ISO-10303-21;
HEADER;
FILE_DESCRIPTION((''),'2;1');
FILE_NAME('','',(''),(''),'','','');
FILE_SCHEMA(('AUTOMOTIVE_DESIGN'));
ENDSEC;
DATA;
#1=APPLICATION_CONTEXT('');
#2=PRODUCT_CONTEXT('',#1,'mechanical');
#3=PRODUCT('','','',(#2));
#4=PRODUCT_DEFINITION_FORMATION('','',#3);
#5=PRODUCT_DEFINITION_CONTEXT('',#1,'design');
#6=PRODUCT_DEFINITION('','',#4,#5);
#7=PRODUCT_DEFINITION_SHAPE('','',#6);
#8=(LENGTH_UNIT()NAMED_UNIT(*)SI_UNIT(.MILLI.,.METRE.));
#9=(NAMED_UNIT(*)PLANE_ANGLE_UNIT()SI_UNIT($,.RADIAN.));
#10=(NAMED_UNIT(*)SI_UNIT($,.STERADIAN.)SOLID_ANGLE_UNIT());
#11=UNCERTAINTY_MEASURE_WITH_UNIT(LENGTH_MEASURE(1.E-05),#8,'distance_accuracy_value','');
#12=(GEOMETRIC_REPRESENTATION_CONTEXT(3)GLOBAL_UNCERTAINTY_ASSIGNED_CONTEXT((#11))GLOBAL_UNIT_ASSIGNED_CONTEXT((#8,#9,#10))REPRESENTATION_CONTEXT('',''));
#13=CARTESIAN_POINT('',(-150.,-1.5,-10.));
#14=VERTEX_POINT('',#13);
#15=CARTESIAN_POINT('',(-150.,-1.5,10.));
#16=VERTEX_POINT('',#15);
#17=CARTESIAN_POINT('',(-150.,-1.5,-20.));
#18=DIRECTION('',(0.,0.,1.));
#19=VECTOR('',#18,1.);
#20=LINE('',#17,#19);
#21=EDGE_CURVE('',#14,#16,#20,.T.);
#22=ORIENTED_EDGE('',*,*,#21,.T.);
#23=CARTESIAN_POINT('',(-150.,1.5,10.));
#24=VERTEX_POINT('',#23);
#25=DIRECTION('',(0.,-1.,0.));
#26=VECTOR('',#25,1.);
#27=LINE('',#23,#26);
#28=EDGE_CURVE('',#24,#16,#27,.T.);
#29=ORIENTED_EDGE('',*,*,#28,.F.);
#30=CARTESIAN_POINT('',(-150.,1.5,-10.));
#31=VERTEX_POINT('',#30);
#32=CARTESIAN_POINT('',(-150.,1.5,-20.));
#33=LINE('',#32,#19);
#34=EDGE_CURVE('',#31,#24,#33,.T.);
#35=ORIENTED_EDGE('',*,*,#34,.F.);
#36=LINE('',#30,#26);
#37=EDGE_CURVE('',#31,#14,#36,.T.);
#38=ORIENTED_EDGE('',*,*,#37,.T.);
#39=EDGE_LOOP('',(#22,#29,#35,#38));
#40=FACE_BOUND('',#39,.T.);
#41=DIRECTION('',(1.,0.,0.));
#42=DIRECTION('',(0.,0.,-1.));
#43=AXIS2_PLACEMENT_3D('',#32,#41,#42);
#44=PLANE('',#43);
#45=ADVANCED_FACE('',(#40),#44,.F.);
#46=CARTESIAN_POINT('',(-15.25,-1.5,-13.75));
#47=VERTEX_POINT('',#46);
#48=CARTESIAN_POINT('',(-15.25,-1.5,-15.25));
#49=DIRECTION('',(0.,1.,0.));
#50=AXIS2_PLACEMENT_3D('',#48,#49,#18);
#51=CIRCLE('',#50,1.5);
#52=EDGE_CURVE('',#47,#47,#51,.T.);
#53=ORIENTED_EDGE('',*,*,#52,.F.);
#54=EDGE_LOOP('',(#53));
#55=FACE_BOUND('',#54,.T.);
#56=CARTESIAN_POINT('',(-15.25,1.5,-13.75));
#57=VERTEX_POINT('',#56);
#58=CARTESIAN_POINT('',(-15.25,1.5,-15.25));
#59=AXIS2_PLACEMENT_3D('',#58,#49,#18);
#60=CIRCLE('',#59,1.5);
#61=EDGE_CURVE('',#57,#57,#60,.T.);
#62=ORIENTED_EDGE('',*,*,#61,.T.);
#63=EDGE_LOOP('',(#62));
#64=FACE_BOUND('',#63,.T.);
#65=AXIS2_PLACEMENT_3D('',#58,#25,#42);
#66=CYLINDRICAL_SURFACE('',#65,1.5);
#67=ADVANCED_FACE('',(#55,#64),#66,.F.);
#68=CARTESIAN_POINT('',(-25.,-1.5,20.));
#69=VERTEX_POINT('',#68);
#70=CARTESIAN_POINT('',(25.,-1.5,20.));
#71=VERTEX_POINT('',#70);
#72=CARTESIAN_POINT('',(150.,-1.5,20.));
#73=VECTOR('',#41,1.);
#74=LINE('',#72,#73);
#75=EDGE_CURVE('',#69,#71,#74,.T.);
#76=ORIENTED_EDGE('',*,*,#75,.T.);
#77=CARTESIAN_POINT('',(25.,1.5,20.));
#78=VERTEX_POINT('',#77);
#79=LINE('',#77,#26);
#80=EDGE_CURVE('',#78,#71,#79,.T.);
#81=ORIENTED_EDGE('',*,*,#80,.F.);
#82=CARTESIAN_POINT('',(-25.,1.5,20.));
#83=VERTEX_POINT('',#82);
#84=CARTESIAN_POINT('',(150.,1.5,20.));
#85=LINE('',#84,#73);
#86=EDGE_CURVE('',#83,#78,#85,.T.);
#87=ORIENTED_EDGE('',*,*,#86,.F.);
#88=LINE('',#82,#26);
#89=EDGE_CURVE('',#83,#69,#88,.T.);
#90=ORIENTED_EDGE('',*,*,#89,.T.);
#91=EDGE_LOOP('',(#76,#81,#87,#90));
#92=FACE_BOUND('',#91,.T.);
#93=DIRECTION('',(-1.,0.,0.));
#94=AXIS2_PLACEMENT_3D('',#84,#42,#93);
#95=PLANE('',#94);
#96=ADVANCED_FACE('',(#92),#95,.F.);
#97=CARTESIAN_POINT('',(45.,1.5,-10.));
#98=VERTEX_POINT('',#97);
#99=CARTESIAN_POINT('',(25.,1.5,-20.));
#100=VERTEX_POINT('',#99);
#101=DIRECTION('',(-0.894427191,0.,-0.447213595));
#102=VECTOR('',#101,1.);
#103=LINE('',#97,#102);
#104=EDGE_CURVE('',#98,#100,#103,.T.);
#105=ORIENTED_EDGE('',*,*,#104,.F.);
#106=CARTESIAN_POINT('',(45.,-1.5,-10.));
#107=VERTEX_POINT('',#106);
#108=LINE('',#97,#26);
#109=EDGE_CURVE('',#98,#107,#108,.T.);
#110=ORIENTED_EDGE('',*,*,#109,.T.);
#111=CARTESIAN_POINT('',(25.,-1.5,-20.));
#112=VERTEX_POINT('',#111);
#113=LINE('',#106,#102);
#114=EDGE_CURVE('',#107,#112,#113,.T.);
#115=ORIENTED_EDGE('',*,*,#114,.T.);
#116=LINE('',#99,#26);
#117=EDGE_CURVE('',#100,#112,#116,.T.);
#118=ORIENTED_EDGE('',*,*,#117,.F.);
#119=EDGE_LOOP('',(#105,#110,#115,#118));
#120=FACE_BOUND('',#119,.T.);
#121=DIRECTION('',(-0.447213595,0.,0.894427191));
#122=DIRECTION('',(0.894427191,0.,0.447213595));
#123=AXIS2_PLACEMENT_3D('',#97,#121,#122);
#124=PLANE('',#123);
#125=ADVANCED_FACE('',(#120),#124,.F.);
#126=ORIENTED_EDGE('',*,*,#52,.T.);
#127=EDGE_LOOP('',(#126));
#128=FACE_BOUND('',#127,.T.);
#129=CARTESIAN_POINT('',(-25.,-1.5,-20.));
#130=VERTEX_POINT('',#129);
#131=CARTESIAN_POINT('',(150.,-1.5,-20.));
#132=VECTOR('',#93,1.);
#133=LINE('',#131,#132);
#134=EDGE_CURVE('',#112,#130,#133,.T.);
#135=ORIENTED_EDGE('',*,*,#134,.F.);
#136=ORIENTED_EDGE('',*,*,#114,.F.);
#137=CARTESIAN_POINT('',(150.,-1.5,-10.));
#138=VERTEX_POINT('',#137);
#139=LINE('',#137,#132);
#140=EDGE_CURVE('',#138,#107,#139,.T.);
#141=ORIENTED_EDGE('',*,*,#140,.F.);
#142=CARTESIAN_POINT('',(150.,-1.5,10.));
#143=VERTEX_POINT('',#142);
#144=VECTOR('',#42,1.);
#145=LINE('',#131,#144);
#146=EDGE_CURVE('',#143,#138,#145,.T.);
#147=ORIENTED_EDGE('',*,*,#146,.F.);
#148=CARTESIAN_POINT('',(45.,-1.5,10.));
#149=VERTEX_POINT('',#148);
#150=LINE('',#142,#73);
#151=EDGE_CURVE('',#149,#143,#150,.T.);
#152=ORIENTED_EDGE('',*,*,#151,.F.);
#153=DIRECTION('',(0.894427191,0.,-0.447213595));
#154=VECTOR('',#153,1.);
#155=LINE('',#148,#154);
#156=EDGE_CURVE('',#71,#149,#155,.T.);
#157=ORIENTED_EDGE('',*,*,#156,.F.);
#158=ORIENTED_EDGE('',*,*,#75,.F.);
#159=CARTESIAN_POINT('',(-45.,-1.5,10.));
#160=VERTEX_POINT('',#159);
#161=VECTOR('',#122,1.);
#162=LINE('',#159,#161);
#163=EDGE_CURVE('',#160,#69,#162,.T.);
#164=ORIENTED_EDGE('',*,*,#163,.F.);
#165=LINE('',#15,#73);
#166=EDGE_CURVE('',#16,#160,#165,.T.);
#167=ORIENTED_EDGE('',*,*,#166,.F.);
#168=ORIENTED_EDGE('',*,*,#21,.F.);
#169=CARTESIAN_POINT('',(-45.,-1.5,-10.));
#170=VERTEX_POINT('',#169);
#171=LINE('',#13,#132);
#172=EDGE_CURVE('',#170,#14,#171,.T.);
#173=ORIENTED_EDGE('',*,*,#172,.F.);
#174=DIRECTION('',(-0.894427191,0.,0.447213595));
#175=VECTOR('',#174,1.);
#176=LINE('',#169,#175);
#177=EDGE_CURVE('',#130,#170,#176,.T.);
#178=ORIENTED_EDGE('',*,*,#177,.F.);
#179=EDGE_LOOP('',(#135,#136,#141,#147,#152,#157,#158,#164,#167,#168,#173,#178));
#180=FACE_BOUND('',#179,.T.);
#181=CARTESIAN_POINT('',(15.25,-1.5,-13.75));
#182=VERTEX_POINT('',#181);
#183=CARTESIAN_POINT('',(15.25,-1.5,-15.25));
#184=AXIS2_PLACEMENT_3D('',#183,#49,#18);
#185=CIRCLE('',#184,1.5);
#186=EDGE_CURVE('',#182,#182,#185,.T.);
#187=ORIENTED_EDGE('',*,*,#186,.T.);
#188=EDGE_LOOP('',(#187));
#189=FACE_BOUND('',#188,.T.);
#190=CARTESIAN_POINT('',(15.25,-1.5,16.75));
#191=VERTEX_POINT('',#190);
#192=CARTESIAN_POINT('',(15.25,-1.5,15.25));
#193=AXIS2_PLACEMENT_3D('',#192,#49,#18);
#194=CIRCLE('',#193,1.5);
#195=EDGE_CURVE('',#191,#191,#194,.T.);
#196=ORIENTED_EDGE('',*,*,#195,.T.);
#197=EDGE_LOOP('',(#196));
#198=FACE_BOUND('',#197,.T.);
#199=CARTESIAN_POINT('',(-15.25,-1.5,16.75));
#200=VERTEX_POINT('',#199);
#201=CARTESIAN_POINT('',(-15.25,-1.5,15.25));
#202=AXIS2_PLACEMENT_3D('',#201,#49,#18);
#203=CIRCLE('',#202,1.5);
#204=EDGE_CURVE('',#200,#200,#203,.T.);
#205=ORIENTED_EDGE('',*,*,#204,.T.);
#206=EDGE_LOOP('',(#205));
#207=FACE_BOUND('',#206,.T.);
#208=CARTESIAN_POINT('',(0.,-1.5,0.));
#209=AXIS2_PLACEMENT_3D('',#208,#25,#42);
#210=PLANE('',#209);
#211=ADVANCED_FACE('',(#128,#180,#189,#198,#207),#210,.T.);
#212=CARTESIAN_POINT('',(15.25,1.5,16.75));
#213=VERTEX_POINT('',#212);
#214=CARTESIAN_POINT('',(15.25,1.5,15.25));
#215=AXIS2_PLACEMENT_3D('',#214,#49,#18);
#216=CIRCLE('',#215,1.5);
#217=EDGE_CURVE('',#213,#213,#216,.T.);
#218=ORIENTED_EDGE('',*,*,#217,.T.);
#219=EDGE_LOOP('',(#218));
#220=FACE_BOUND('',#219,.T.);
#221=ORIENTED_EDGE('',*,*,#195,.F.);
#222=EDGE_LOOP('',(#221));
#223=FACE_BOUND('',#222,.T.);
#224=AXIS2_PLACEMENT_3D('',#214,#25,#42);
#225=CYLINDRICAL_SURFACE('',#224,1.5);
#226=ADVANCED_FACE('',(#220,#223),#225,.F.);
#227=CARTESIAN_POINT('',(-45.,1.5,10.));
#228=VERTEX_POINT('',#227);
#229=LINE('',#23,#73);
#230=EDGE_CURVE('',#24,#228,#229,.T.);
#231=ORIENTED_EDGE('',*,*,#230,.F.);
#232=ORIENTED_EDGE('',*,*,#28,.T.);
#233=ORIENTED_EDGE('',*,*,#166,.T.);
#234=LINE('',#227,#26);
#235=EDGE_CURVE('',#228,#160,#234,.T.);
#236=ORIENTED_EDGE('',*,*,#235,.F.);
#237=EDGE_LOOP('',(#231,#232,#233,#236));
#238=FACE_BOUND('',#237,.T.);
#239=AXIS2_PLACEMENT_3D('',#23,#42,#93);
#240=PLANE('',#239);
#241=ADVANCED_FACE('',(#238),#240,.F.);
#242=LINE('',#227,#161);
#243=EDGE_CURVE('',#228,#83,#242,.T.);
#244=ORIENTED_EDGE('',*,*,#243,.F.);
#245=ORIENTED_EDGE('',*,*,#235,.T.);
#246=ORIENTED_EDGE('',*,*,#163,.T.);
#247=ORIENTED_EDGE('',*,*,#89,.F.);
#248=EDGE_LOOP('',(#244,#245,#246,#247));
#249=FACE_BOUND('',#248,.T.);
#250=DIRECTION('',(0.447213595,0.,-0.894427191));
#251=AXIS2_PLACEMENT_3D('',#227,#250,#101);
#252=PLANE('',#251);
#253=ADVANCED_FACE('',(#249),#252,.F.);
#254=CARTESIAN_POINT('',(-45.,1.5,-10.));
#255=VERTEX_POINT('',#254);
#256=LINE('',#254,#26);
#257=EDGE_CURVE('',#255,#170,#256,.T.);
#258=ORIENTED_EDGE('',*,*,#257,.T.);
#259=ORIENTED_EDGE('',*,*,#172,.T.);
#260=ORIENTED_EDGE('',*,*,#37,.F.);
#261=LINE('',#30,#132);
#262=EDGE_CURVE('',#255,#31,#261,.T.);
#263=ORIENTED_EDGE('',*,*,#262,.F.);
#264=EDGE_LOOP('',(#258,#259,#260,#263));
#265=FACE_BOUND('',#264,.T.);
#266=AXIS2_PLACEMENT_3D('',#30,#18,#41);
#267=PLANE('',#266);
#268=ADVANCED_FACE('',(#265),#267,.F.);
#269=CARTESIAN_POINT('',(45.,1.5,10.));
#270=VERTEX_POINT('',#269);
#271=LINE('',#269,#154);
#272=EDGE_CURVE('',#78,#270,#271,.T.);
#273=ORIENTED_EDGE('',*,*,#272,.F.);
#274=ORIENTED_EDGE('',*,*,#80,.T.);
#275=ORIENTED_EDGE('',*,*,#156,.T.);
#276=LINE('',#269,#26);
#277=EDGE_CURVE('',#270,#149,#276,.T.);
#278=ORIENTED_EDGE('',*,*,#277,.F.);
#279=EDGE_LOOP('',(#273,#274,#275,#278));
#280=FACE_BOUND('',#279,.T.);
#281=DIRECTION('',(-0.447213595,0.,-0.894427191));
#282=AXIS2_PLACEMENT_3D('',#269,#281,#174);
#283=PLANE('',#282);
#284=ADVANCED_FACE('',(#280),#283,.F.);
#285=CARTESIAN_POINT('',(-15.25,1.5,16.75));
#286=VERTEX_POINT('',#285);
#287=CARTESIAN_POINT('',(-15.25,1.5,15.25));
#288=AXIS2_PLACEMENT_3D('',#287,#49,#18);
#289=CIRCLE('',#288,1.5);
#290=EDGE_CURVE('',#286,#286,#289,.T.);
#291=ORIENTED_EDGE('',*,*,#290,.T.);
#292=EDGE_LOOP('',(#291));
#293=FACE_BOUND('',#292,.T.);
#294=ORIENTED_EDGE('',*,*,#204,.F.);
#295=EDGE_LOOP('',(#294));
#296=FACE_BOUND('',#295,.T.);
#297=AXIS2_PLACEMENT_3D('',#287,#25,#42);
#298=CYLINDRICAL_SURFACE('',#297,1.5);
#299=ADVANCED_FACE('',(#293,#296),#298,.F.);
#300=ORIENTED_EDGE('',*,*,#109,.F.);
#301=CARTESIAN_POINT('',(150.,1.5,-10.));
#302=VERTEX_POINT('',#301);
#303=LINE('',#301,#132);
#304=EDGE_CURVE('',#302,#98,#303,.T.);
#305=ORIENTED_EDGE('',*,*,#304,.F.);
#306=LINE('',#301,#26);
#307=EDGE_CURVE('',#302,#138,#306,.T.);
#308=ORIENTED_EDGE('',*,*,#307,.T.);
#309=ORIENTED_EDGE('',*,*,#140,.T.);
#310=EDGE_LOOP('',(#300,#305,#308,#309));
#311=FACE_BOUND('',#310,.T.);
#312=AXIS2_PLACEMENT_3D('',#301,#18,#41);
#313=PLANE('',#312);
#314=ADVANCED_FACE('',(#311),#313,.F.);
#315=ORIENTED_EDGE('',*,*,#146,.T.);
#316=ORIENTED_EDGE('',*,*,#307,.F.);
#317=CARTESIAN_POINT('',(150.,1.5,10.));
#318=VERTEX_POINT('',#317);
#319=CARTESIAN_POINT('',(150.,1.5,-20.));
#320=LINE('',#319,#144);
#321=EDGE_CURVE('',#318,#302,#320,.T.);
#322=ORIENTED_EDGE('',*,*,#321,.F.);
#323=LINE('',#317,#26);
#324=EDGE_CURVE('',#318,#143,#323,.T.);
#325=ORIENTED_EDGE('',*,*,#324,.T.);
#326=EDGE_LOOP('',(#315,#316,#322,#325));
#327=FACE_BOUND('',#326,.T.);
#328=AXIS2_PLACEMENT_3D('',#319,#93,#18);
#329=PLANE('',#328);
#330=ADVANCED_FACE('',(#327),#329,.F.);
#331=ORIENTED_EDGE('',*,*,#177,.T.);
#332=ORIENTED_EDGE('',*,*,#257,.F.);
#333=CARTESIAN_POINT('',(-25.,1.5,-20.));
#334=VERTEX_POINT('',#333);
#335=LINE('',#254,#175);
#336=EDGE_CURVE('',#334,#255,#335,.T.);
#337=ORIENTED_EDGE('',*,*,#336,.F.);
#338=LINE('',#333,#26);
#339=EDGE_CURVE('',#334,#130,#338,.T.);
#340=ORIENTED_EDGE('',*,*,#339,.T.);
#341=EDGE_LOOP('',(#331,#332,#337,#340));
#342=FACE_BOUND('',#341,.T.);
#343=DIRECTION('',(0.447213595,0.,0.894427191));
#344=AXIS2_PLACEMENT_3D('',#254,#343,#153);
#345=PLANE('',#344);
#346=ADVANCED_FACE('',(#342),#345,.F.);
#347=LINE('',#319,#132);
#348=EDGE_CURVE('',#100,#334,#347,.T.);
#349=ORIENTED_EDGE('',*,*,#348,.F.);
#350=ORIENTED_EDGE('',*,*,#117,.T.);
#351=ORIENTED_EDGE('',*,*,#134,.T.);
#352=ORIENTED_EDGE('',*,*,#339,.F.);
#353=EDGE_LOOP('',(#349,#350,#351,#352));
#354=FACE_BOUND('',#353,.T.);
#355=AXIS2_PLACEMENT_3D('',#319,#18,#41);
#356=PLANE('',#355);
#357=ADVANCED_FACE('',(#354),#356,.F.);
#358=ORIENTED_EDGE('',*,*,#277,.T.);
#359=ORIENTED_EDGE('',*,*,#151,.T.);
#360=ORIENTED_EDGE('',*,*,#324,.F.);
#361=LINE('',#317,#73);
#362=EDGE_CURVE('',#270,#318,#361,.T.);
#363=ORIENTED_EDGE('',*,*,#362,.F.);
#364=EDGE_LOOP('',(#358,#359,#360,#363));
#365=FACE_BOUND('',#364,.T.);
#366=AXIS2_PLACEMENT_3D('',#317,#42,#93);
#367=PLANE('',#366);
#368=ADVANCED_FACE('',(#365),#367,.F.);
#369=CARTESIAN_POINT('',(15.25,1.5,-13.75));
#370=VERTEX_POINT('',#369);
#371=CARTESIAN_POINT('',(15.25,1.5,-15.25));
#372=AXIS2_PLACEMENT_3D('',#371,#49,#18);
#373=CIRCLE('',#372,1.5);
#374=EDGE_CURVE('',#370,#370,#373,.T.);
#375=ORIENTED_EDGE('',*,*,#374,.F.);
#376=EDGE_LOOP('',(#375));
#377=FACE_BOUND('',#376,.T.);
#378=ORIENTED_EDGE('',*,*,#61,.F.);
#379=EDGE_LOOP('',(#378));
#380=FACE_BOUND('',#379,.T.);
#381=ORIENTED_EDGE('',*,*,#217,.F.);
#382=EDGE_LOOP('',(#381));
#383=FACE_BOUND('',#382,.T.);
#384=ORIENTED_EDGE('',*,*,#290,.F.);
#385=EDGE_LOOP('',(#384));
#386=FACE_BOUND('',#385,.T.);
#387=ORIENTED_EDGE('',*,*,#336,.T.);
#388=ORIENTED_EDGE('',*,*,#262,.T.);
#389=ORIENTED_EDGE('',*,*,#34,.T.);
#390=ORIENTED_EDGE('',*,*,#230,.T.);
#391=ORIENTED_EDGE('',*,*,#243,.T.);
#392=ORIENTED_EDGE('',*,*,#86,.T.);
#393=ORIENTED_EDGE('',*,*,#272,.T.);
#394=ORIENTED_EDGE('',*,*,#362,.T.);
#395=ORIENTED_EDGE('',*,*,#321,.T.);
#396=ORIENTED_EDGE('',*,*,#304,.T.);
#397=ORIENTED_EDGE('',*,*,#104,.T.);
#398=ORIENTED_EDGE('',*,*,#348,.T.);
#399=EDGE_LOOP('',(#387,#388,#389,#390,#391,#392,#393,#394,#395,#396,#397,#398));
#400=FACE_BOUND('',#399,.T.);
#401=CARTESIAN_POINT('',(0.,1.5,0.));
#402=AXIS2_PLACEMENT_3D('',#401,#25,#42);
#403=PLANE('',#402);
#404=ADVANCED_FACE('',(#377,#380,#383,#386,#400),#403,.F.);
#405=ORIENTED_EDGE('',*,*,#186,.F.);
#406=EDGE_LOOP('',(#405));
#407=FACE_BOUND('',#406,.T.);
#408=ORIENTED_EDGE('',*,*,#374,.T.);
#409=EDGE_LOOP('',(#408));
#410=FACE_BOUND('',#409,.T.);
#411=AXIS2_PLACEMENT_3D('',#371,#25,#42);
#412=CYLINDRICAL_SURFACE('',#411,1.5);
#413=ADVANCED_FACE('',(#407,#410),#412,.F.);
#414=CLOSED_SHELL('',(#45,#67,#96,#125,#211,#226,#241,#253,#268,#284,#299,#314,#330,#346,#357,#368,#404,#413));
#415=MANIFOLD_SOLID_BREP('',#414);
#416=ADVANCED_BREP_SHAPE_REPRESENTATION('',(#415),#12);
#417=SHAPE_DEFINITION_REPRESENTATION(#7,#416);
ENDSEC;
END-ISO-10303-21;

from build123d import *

# Parameters (mm, degrees)
SKETCH1_W           = 300
SKETCH1_H           = 40
SKETCH1_R           = 1.5
BOSS_EXTRUDE1_DEPTH = 1.5
CUT_EXTRUDE1_DEPTH  = 152.35719342


with BuildPart() as part:
    # Sketch1 → Boss-Extrude1 (new, symmetric)
    with BuildSketch(Plane(origin=(0, 0, 0), x_dir=(1, 0, 0), z_dir=(0, 1, 0))):
        Rectangle(SKETCH1_W, SKETCH1_H)
        with Locations(Location((-15.25, 15.25, 0), (0, 0, 270))):
            Circle(SKETCH1_R, mode=Mode.SUBTRACT)
        with Locations(Location((15.25, 15.25, 0), (0, 0, 270))):
            Circle(SKETCH1_R, mode=Mode.SUBTRACT)
        with Locations(Location((15.25, -15.25, 0), (0, 0, 270))):
            Circle(SKETCH1_R, mode=Mode.SUBTRACT)
        with Locations(Location((-15.25, -15.25, 0), (0, 0, 270))):
            Circle(SKETCH1_R, mode=Mode.SUBTRACT)
    extrude(amount=BOSS_EXTRUDE1_DEPTH, both=True)

    # Sketch2 → Cut-Extrude1 (cut, through all)
    with BuildSketch(Plane.XZ.offset(1.5)):
        Polygon((-150, 20), (-150, 10), (-45, 10), (-25, 20), align=None)
        Polygon((150, 20), (25, 20), (45, 10), (150, 10), align=None)
        Polygon((150, -20), (150, -10), (45, -10), (25, -20), align=None)
        Polygon((-150, -20), (-25, -20), (-45, -10), (-150, -10), align=None)
    extrude(amount=-CUT_EXTRUDE1_DEPTH, mode=Mode.SUBTRACT)


solid = part.part
